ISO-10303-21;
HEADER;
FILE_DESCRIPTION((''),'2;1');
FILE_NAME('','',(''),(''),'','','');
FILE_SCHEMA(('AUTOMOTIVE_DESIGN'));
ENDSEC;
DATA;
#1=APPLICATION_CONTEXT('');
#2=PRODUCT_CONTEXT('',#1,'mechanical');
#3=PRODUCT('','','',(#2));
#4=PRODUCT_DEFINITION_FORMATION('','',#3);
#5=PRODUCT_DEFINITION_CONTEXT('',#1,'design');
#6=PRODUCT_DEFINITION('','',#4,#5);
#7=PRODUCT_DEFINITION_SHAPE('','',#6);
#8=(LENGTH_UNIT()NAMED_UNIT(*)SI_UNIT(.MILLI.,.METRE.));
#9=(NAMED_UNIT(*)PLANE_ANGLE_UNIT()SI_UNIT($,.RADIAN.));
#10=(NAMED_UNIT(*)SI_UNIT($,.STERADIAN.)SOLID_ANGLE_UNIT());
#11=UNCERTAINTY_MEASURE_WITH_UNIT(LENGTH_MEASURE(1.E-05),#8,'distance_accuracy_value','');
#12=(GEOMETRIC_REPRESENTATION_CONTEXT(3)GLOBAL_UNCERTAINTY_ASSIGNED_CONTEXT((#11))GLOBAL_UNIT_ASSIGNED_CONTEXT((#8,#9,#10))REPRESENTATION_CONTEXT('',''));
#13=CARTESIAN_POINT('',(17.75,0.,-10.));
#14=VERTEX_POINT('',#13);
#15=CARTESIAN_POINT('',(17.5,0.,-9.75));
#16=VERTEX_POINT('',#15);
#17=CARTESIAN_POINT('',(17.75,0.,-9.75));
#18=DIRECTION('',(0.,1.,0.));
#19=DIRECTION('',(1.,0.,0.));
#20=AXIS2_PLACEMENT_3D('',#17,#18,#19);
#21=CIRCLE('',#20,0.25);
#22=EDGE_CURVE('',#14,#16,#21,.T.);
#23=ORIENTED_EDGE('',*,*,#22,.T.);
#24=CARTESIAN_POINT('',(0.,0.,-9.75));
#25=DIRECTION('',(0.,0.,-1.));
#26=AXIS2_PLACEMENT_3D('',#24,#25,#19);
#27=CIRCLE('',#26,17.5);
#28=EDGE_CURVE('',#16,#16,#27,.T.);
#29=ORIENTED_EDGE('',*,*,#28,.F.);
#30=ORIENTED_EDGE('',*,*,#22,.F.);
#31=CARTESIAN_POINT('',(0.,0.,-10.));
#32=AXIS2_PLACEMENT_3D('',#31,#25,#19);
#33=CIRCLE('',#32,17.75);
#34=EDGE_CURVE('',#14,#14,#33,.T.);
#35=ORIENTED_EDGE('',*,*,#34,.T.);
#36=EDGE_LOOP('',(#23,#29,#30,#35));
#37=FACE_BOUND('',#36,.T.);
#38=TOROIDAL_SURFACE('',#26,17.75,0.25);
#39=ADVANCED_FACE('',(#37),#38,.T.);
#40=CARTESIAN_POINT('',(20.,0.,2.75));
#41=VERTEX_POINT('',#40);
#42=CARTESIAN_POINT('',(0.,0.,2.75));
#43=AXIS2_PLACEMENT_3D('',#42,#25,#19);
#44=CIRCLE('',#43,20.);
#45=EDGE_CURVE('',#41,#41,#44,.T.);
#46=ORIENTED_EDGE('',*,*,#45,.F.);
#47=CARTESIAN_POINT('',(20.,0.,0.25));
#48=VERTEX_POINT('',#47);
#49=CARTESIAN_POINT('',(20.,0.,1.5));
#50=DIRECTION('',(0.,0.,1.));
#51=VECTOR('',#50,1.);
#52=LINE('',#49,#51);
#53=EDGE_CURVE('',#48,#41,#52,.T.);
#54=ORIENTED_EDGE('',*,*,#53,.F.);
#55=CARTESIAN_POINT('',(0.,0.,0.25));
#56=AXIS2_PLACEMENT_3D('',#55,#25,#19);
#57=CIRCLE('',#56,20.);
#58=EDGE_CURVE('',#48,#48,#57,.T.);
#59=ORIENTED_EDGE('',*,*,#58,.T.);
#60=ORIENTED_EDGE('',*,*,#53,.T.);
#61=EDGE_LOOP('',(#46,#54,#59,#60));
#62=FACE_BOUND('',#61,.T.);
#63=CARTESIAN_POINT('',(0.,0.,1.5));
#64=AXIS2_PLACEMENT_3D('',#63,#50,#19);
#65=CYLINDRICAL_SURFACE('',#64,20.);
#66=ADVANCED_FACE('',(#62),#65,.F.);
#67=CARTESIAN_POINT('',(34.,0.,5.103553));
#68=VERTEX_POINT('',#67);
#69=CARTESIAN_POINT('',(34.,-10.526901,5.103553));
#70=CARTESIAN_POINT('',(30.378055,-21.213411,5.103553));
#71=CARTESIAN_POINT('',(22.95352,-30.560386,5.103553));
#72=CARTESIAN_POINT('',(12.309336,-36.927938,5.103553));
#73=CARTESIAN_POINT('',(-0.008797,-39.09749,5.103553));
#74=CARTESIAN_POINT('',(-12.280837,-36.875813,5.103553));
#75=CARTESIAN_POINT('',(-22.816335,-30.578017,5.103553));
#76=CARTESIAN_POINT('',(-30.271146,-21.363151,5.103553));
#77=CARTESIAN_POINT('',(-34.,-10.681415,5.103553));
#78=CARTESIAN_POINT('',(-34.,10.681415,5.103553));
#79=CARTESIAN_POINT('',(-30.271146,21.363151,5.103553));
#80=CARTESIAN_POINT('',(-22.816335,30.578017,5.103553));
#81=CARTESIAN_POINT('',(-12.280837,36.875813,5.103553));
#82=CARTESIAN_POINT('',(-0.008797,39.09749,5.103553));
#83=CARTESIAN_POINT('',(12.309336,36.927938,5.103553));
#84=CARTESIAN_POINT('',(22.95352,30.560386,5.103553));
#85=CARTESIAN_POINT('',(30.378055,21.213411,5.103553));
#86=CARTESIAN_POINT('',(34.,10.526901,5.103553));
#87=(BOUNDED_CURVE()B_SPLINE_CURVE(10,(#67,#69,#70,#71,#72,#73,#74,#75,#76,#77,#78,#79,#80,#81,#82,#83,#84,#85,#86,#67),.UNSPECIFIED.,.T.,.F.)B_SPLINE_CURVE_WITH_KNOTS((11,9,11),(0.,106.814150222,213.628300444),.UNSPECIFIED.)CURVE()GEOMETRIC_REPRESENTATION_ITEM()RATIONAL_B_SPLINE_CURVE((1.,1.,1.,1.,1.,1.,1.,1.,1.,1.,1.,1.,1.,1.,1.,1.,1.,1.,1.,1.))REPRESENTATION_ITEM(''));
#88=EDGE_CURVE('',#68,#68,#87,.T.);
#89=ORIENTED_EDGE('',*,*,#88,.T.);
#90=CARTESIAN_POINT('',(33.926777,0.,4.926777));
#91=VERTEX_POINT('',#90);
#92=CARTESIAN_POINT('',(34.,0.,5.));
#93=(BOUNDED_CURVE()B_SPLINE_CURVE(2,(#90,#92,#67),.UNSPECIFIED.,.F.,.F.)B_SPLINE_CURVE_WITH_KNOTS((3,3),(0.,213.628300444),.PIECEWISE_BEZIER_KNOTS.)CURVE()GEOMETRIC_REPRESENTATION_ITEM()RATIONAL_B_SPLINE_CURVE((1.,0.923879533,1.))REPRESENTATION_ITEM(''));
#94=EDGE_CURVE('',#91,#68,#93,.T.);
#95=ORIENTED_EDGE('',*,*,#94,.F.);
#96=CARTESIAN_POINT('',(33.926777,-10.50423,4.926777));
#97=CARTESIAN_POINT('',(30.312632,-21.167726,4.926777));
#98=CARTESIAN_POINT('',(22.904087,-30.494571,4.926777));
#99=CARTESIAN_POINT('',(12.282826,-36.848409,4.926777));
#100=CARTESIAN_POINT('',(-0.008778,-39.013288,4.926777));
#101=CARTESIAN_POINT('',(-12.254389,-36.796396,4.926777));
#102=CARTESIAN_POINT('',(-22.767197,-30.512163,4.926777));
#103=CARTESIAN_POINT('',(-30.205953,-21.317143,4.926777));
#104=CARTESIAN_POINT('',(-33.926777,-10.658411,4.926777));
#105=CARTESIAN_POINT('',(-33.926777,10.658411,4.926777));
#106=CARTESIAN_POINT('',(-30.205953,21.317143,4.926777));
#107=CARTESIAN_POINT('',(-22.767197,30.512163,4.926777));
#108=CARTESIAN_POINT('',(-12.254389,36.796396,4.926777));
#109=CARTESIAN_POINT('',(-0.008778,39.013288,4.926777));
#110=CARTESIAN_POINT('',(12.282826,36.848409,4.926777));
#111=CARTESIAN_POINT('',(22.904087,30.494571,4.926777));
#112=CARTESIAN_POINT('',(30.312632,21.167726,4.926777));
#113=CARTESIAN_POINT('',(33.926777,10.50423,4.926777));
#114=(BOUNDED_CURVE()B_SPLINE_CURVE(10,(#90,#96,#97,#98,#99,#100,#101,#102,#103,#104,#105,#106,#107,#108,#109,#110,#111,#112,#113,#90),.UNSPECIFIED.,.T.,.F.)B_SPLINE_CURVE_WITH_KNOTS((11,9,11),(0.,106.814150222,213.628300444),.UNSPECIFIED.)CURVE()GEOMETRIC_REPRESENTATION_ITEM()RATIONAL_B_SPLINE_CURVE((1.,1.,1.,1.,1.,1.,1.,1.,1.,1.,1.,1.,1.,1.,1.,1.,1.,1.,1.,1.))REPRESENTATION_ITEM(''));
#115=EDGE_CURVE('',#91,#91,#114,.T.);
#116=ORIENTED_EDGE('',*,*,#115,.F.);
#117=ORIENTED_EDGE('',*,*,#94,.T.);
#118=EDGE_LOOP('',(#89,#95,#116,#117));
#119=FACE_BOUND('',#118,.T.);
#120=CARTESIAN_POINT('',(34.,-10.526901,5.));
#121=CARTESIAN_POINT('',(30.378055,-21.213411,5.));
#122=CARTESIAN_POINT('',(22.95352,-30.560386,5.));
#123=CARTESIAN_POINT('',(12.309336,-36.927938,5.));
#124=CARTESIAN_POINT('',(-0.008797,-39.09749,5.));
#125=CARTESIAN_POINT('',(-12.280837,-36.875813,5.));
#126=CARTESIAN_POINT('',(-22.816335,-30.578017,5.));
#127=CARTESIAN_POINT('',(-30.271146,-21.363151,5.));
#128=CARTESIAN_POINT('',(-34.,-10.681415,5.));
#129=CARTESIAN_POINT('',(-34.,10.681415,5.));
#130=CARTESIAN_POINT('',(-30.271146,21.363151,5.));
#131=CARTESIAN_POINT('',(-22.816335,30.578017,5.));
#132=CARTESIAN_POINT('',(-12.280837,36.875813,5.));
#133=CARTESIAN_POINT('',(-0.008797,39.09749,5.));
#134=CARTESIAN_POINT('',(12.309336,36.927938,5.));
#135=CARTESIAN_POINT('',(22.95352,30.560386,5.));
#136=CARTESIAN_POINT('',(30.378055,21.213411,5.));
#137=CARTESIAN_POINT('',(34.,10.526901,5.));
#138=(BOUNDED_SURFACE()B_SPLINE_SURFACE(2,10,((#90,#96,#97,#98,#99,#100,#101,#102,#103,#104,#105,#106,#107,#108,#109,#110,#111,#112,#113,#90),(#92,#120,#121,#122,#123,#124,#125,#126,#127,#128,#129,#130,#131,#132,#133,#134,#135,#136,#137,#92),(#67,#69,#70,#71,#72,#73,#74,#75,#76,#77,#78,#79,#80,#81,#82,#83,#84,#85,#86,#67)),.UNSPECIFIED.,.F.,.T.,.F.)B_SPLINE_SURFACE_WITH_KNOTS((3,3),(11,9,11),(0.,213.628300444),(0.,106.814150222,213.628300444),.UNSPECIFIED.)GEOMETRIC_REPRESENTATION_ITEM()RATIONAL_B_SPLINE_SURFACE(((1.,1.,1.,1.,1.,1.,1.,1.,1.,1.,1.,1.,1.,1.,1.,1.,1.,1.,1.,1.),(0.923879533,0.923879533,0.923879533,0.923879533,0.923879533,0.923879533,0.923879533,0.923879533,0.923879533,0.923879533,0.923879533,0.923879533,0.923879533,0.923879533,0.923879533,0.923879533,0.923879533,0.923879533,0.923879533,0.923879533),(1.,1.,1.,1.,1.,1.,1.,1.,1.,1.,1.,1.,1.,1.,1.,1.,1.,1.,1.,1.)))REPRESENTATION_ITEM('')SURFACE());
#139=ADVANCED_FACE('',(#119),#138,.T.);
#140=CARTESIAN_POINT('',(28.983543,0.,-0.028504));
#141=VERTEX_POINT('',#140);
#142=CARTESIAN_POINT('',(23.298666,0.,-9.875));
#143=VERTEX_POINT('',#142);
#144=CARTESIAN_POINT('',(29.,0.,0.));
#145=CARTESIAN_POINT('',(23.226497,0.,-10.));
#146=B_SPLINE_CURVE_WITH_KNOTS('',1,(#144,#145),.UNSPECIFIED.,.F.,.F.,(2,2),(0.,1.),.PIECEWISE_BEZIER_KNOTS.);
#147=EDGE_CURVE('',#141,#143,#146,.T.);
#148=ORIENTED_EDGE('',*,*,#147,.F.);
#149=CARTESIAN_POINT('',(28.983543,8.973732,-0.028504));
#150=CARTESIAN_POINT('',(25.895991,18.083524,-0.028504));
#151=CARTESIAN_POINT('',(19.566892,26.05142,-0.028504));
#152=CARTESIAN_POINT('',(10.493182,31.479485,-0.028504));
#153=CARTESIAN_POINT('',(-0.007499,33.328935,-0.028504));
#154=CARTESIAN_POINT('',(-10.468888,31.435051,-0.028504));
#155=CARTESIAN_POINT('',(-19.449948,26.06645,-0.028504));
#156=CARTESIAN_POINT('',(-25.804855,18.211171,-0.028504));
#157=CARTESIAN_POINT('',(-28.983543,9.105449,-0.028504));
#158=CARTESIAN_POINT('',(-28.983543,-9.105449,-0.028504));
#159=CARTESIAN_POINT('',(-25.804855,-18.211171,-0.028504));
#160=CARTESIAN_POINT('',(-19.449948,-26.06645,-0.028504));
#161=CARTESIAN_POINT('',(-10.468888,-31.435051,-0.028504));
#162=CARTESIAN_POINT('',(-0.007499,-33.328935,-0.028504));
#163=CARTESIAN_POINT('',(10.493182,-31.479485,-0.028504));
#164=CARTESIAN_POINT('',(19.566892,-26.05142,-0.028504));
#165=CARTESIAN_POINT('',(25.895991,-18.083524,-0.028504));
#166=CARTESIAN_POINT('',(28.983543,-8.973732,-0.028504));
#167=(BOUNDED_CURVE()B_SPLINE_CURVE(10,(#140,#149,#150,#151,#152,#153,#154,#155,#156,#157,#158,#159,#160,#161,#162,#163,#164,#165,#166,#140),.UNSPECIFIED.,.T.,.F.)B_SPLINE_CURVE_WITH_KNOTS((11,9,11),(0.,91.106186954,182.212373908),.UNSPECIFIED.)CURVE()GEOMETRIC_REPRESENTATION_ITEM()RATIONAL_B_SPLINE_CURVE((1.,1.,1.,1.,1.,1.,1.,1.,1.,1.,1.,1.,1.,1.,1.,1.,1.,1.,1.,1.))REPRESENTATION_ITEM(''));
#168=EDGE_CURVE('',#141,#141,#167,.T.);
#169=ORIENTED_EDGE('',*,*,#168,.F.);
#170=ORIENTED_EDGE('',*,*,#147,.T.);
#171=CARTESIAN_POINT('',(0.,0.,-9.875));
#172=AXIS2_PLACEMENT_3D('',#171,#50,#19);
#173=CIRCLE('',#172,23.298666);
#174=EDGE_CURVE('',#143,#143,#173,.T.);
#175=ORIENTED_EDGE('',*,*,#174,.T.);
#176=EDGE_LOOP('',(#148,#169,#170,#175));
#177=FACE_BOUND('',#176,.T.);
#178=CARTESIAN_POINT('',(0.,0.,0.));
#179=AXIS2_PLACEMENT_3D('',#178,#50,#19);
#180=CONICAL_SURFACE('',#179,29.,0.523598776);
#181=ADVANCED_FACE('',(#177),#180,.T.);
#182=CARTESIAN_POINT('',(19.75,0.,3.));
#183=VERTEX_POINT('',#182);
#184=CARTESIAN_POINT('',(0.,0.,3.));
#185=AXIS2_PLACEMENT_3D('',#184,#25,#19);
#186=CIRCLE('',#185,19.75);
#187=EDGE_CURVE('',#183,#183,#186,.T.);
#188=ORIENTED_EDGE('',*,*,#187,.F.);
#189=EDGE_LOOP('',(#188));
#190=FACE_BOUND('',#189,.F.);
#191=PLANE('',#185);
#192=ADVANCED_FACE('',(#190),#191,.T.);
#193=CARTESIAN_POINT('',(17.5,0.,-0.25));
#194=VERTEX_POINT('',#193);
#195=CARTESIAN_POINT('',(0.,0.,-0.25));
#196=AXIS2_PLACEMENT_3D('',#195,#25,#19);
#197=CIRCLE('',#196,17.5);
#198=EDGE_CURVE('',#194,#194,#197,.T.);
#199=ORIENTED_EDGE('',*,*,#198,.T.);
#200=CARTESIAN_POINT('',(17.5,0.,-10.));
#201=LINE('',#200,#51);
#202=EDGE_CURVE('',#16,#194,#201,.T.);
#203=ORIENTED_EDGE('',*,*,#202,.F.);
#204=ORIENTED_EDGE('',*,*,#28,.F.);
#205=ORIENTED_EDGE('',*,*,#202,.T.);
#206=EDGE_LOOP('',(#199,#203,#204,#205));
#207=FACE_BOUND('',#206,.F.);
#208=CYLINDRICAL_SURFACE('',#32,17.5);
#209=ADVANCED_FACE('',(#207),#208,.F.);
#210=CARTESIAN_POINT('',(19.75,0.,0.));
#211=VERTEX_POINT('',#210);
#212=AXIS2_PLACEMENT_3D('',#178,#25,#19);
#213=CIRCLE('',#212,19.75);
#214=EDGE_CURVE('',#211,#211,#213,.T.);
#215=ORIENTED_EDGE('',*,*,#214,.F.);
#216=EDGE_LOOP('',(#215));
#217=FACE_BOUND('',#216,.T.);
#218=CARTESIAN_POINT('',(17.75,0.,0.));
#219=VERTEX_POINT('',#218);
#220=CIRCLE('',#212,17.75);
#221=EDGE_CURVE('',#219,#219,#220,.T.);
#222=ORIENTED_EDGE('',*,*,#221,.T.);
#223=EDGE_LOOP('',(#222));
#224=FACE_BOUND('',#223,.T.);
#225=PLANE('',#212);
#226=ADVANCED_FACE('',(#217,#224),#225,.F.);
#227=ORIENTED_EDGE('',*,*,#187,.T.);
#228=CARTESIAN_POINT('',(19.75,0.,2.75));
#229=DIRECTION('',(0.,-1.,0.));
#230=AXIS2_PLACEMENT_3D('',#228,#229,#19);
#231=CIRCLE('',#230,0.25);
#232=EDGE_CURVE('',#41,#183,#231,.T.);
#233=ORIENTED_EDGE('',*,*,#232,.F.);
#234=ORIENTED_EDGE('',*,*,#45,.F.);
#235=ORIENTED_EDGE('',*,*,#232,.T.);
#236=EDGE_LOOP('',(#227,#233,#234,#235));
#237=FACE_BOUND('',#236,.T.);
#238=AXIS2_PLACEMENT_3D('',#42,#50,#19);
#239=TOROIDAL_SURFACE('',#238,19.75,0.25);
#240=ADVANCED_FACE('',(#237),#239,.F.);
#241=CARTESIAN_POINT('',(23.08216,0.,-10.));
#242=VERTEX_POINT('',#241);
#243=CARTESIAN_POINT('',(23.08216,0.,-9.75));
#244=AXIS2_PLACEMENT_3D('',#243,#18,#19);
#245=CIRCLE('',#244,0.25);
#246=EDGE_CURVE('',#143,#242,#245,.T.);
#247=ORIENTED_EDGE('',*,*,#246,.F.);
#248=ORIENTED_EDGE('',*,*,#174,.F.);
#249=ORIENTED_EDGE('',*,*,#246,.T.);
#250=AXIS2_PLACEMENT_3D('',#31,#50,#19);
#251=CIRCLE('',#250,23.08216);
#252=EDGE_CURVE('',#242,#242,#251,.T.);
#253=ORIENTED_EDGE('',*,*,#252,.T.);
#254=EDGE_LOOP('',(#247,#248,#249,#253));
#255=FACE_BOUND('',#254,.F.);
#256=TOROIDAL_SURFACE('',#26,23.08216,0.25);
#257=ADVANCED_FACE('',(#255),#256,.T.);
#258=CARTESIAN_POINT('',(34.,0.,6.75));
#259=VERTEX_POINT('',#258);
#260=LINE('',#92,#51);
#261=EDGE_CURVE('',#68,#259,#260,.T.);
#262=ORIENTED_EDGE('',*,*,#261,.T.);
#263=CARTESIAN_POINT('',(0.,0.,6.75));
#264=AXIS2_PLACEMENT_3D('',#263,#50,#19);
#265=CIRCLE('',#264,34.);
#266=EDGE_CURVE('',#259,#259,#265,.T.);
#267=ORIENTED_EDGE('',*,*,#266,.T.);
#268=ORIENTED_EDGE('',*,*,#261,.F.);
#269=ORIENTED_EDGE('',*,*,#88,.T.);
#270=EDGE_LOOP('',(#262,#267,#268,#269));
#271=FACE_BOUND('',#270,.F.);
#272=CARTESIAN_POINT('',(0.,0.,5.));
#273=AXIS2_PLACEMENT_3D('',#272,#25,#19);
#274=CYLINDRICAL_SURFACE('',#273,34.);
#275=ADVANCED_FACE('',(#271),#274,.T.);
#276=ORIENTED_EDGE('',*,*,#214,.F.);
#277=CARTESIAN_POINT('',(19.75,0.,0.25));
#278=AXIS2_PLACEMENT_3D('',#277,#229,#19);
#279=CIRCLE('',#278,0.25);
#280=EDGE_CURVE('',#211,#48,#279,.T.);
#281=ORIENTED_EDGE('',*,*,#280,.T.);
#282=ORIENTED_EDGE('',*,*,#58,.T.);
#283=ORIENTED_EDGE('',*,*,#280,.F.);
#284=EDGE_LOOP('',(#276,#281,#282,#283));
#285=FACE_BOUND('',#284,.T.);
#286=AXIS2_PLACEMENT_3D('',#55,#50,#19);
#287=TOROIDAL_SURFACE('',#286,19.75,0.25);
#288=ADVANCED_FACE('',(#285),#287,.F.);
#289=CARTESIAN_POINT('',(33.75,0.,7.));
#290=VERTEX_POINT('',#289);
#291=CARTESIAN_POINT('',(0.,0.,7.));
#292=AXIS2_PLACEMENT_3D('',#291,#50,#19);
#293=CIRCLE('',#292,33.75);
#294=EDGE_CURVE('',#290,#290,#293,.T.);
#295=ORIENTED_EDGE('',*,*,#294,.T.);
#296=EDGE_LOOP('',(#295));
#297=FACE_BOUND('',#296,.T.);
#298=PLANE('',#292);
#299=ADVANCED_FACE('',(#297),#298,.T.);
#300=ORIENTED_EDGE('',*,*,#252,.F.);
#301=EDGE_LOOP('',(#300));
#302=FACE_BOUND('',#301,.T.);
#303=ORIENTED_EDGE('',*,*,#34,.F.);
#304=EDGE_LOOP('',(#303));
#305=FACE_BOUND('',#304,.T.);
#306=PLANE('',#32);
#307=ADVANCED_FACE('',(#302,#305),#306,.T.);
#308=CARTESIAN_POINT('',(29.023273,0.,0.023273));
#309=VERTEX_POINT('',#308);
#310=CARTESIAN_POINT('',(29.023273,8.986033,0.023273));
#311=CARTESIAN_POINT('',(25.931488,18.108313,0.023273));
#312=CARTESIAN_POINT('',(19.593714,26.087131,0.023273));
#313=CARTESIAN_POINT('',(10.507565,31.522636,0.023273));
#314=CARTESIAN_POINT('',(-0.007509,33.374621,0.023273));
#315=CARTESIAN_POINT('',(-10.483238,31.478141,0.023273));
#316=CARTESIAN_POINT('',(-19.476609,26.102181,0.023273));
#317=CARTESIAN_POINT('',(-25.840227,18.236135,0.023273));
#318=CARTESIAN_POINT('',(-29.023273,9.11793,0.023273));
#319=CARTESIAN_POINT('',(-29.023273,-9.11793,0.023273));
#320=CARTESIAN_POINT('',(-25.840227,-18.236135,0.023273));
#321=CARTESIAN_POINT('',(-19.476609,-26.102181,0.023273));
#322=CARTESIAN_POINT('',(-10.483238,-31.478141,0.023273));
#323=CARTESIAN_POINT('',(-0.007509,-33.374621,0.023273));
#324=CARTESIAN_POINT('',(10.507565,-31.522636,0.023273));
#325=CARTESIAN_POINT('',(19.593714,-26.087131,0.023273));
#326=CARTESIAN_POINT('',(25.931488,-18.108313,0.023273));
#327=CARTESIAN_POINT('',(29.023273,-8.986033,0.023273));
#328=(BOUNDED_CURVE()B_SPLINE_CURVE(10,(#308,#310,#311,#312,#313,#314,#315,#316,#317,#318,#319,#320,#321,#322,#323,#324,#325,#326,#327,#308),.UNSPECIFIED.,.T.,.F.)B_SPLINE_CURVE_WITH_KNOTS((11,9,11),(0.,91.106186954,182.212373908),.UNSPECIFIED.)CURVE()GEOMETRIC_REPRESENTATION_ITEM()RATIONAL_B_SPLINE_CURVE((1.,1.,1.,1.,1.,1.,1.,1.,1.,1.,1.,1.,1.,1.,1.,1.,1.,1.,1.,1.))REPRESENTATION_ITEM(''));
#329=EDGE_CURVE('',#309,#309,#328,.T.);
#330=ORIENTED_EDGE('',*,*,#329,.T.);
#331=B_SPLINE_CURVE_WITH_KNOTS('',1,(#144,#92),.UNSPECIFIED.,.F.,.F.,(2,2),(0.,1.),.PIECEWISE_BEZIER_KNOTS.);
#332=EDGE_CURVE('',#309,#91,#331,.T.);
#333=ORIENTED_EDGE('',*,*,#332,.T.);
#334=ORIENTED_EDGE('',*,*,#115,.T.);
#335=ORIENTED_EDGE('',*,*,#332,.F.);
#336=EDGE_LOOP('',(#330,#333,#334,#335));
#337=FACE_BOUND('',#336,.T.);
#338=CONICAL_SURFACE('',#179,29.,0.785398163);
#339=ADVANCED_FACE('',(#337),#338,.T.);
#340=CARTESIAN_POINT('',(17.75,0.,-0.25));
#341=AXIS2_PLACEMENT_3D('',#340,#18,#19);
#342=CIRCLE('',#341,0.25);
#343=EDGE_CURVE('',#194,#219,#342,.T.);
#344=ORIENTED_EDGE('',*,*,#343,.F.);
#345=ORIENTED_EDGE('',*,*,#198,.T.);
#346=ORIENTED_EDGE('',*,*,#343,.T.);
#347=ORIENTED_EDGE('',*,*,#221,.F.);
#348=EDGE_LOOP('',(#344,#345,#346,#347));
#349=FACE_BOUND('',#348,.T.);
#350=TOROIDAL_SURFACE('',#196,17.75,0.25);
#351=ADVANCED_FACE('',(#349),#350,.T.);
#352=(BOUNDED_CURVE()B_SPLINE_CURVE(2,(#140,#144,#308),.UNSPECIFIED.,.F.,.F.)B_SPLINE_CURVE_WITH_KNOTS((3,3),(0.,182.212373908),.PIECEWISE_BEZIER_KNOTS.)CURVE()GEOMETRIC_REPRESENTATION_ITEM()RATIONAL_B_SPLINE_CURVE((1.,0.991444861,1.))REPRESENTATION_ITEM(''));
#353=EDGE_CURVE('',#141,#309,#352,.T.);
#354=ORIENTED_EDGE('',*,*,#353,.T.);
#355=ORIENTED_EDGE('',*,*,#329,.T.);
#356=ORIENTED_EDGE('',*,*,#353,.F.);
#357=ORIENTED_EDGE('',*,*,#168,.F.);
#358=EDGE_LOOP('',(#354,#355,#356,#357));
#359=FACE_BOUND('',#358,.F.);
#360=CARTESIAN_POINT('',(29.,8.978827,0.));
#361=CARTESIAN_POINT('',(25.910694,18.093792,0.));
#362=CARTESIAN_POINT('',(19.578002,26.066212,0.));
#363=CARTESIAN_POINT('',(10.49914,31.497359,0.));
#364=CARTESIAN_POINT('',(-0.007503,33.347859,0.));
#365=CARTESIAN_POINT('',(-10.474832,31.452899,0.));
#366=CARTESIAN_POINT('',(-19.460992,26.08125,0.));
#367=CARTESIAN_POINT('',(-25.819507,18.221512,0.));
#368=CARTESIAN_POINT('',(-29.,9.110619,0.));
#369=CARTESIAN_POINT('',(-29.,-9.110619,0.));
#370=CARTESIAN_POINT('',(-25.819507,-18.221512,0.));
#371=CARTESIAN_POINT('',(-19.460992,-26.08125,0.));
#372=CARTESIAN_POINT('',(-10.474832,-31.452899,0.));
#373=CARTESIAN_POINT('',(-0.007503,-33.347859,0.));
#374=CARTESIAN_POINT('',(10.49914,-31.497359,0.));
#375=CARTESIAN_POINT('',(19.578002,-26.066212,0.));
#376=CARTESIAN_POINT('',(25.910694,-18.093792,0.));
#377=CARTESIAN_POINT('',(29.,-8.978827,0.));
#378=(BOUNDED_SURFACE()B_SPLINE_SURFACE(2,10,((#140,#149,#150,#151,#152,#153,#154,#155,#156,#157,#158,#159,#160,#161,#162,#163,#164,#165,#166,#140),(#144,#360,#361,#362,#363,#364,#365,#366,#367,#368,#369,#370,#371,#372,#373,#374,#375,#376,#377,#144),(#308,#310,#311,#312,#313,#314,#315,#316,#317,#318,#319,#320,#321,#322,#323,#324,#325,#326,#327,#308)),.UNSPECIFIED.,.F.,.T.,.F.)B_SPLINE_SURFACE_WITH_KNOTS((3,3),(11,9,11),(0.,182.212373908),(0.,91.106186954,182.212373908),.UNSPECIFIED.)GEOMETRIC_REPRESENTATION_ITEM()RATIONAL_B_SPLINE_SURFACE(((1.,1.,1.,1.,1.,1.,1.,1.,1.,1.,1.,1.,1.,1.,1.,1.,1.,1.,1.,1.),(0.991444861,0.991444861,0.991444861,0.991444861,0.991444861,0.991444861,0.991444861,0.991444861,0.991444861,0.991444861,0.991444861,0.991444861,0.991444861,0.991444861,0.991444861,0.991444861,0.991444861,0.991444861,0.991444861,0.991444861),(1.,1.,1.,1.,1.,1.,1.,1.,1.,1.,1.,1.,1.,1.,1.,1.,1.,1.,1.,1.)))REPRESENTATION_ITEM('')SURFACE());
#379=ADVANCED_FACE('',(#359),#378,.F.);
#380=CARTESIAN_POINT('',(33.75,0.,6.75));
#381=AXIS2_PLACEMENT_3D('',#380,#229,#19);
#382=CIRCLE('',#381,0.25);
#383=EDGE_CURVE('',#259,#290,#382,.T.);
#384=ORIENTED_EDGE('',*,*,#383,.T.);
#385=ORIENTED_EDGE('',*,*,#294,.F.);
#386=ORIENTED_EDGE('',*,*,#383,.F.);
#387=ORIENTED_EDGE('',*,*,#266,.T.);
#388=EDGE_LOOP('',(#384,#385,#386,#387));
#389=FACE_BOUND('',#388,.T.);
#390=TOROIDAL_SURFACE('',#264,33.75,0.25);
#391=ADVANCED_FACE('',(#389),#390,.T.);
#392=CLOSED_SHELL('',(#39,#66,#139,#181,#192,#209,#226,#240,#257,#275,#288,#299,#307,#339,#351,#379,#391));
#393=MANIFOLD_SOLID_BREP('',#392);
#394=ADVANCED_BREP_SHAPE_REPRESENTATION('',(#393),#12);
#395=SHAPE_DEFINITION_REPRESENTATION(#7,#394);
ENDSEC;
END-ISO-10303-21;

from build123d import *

# Parameters (mm, degrees)
F0_R     = 29
F1_DEPTH = 5
F1_TAPER = -45
F2_R     = 34
F3_DEPTH = 2
F4_R     = 29
F5_DEPTH = 10
F5_TAPER = 30
F6_R     = 17.5
F7_DEPTH = 10
F8_W     = 20
F8_H     = 3
F10_R    = 0.25


with BuildPart() as f1:
    # F0 (on Top) → F1 (new body)
    with BuildSketch(Plane.XY):
        Circle(F0_R)
    extrude(amount=F1_DEPTH, taper=F1_TAPER)

    # F2 (on face) → F3 (join)
    with BuildSketch(Plane.XY.offset(5)):
        Circle(F2_R)
    extrude(amount=F3_DEPTH)

    # F4 (on face) → F5 (join)
    with BuildSketch(Plane(origin=(0, 0, 0), x_dir=(1, 0, 0), z_dir=(0, 0, -1))):
        Circle(F4_R)
    extrude(amount=F5_DEPTH, taper=F5_TAPER)

    # F6 (on face) → F7 (cut)
    with BuildSketch(Plane(origin=(0, 0, -10), x_dir=(1, 0, 0), z_dir=(0, 0, -1))):
        Circle(F6_R)
    extrude(amount=-F7_DEPTH, mode=Mode.SUBTRACT)

    # F8 (on Front) → F9 (revolve, cut)
    with BuildSketch(Plane.XZ):
        with Locations((10, 1.5)):
            Rectangle(F8_W, F8_H)
    revolve(axis=Axis((0, 0, -7.2614504024), (0, 0, -1)), mode=Mode.SUBTRACT)

    # F10
    f10_edges = [f1.edges().sort_by_distance(p)[0] for p in [
        (-29, 0, 0),
        (-34, 0, 7),
        (-17.5, 0, -10),
        (-34, 0, 5),
        (-23.226497, 0, -10),
        (-20, 0, 0),
        (-17.5, 0, 0),
        (-20, 0, 3),
    ]]
    fillet(f10_edges, radius=F10_R)


solid = f1.part
